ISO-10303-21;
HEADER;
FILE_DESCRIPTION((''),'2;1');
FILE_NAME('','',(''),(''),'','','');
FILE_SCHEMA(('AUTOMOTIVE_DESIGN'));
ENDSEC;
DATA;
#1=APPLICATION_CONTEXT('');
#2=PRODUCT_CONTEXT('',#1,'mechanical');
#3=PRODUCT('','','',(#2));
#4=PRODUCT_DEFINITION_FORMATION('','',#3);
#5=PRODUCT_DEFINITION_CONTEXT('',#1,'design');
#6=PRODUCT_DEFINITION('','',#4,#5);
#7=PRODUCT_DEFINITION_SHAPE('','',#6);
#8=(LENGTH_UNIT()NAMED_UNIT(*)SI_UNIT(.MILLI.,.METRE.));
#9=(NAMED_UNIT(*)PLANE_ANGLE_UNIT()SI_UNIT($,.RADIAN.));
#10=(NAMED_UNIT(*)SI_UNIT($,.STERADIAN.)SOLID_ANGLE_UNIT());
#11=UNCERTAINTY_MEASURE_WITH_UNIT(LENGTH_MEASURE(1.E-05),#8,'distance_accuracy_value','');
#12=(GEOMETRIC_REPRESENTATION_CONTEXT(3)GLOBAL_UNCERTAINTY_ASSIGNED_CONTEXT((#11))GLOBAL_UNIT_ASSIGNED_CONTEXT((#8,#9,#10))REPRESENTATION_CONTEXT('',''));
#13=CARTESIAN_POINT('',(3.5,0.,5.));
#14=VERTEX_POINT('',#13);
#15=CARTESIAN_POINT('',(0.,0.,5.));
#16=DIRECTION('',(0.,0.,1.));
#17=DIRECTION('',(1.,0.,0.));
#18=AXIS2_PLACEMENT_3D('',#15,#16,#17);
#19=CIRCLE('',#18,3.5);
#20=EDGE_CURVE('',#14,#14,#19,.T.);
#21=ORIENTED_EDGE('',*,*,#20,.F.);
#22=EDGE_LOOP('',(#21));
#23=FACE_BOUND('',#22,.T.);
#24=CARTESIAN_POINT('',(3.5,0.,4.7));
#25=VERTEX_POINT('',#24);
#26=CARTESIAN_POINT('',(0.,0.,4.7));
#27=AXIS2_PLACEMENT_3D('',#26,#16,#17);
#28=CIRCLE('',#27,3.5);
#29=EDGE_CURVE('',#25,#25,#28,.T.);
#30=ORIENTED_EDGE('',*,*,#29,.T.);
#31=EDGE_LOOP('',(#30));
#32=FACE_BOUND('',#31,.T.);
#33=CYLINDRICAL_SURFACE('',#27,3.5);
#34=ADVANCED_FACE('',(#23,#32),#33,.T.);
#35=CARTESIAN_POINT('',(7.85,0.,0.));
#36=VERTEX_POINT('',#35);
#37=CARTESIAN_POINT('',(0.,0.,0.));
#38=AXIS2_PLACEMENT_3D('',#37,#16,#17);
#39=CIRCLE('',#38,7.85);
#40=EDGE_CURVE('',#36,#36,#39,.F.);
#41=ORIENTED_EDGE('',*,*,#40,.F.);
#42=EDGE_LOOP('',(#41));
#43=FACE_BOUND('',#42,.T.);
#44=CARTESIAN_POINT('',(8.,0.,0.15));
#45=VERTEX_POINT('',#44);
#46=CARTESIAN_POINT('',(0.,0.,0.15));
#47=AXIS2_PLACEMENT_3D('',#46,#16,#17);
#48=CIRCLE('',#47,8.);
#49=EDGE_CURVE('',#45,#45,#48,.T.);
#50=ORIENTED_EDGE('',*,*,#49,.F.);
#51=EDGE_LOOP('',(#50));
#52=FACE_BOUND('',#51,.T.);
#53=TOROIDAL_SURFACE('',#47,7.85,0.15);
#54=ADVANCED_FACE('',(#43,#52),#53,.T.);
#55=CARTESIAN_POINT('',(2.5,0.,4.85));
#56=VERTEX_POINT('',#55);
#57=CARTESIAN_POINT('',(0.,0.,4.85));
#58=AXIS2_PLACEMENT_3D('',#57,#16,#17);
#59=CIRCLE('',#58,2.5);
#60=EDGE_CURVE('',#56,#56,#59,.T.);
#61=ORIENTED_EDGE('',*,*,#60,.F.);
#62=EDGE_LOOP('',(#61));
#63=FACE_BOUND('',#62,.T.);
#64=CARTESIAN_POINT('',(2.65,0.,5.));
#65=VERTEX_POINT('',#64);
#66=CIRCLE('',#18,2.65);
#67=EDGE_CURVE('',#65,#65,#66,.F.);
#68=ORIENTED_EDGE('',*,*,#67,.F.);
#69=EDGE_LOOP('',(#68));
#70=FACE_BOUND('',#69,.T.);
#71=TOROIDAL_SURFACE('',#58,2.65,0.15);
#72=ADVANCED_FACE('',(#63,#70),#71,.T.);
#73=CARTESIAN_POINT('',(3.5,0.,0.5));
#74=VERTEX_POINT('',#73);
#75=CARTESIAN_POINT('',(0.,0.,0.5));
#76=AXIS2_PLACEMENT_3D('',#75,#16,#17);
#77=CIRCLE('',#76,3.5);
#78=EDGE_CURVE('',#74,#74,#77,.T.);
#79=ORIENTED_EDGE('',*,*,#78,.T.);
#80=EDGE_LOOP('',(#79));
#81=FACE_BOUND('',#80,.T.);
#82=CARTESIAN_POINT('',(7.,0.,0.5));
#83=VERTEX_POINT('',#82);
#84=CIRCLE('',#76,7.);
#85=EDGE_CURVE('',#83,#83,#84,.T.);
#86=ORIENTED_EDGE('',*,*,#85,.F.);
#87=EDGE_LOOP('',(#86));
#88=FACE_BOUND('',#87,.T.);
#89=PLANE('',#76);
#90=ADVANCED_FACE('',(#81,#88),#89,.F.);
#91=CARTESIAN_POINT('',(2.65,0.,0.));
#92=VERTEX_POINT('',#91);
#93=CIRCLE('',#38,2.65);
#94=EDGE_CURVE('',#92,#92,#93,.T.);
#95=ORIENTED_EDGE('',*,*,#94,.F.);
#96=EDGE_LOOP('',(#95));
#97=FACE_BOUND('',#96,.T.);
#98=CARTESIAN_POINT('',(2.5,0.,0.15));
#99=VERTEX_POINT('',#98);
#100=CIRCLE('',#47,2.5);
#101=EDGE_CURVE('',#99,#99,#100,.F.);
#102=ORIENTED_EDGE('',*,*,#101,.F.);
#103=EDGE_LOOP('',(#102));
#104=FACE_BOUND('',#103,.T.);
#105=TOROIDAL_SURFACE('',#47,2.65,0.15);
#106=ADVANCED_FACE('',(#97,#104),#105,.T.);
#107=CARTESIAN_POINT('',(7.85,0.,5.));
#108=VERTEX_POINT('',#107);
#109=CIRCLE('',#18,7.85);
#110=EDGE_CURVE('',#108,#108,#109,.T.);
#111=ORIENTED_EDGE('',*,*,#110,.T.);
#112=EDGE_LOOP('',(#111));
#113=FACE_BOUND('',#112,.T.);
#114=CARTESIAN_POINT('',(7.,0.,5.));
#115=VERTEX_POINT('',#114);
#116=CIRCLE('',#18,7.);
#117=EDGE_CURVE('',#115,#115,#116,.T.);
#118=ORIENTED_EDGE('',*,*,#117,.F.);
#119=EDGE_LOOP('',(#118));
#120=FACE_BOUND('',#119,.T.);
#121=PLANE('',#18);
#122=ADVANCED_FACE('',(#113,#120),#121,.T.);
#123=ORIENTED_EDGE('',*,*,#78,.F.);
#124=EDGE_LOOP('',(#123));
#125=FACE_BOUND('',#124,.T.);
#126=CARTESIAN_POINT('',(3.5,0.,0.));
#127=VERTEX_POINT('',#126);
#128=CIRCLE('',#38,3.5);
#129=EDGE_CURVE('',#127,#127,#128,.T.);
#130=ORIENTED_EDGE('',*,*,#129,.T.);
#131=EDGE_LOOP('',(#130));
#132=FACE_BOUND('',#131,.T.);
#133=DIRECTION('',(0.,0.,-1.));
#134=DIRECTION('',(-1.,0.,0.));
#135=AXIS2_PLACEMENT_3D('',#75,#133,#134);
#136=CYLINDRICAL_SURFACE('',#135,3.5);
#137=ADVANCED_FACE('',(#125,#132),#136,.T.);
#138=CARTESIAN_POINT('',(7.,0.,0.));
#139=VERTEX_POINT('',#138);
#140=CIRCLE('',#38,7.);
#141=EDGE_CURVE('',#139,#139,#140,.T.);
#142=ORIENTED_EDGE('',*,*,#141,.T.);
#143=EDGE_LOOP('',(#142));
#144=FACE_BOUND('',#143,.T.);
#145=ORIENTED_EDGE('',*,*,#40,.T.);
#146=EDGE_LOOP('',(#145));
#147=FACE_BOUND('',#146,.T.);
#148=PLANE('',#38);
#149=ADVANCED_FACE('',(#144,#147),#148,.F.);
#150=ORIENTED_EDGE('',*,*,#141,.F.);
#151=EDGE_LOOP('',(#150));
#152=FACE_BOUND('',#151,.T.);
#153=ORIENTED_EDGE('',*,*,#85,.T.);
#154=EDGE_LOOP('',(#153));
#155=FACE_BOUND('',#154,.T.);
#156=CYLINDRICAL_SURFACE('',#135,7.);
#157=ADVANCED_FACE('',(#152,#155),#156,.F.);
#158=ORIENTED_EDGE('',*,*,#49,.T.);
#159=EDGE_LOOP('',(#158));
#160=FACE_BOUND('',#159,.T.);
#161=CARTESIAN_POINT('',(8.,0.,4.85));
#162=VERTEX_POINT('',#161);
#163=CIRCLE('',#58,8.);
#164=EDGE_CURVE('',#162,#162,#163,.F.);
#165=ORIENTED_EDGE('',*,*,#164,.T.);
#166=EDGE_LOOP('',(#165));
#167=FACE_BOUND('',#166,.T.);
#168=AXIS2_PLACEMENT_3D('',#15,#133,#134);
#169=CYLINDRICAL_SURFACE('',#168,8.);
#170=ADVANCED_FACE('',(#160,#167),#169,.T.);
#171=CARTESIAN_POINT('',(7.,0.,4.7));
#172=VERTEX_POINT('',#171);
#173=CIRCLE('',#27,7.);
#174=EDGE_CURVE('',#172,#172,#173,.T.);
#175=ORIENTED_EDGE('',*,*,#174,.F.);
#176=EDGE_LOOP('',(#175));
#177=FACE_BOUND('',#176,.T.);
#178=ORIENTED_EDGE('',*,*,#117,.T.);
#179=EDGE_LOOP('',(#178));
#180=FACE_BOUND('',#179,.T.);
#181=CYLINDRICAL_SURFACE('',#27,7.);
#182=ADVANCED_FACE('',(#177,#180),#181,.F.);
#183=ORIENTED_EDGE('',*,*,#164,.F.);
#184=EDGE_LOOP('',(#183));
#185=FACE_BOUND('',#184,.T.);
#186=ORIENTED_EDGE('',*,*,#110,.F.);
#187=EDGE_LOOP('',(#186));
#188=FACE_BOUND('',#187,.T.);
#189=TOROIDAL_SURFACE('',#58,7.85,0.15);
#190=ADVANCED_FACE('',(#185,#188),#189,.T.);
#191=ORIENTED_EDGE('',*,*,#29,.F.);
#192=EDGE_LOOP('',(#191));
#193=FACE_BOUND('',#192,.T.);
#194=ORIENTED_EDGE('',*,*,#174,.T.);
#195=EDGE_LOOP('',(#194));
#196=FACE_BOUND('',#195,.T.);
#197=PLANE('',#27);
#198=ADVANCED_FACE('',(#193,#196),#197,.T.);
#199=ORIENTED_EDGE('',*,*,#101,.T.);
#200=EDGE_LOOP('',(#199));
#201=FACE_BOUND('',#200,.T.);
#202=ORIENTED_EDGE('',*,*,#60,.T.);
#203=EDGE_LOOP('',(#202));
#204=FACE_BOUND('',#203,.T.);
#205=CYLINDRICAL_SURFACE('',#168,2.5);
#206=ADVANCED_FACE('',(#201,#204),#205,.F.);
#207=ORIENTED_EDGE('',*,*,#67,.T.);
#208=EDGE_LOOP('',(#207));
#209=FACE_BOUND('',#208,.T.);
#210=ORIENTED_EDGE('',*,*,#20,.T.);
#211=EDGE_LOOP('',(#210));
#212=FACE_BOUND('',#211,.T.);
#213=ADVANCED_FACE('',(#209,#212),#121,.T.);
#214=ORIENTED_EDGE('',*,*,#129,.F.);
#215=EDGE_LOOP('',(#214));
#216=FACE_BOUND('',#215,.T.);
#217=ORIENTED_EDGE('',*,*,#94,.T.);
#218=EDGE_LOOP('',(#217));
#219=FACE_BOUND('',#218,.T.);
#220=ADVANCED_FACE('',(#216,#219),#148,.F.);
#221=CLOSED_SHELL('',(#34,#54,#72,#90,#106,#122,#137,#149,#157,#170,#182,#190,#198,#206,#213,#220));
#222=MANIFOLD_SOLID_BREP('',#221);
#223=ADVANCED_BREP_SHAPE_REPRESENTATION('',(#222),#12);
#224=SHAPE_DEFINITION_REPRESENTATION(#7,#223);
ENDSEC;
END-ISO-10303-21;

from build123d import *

# Parameters (mm, degrees)
SKETCH1_R           = 8
SKETCH1_R_2         = 2.5
BOSS_EXTRUDE1_DEPTH = 5
SKETCH2_R           = 7
SKETCH2_R_2         = 3.5
CUT_EXTRUDE1_DEPTH  = 0.3
CUT_EXTRUDE2_START  = -4.5
SKETCH2_2_R         = 7
SKETCH2_2_R_2       = 3.5
CUT_EXTRUDE2_DEPTH  = 0.5
FILLET1_R           = 0.15


with BuildPart() as part:
    # Sketch1 → Boss-Extrude1 (new body)
    with BuildSketch(Plane.XY):
        Circle(SKETCH1_R)
        Circle(SKETCH1_R_2, mode=Mode.SUBTRACT)
    extrude(amount=BOSS_EXTRUDE1_DEPTH)

    # Sketch2 → Cut-Extrude1 (cut)
    with BuildSketch(Plane.XY.offset(5)):
        Circle(SKETCH2_R)
        Circle(SKETCH2_R_2, mode=Mode.SUBTRACT)
    extrude(amount=-CUT_EXTRUDE1_DEPTH, mode=Mode.SUBTRACT)

    # Sketch2<2> → Cut-Extrude2 (cut)
    with BuildSketch(Plane.XY.offset(5).offset(CUT_EXTRUDE2_START)):
        Circle(SKETCH2_2_R)
        Circle(SKETCH2_2_R_2, mode=Mode.SUBTRACT)
    extrude(amount=-CUT_EXTRUDE2_DEPTH, mode=Mode.SUBTRACT)

    # Fillet1
    fillet1_edges = [part.edges().sort_by_distance(p)[0] for p in [
        (-8, 0, 0),
        (-8, 0, 5),
        (-2.5, 0, 0),
        (-2.5, 0, 5),
    ]]
    fillet(fillet1_edges, radius=FILLET1_R)


solid = part.part
